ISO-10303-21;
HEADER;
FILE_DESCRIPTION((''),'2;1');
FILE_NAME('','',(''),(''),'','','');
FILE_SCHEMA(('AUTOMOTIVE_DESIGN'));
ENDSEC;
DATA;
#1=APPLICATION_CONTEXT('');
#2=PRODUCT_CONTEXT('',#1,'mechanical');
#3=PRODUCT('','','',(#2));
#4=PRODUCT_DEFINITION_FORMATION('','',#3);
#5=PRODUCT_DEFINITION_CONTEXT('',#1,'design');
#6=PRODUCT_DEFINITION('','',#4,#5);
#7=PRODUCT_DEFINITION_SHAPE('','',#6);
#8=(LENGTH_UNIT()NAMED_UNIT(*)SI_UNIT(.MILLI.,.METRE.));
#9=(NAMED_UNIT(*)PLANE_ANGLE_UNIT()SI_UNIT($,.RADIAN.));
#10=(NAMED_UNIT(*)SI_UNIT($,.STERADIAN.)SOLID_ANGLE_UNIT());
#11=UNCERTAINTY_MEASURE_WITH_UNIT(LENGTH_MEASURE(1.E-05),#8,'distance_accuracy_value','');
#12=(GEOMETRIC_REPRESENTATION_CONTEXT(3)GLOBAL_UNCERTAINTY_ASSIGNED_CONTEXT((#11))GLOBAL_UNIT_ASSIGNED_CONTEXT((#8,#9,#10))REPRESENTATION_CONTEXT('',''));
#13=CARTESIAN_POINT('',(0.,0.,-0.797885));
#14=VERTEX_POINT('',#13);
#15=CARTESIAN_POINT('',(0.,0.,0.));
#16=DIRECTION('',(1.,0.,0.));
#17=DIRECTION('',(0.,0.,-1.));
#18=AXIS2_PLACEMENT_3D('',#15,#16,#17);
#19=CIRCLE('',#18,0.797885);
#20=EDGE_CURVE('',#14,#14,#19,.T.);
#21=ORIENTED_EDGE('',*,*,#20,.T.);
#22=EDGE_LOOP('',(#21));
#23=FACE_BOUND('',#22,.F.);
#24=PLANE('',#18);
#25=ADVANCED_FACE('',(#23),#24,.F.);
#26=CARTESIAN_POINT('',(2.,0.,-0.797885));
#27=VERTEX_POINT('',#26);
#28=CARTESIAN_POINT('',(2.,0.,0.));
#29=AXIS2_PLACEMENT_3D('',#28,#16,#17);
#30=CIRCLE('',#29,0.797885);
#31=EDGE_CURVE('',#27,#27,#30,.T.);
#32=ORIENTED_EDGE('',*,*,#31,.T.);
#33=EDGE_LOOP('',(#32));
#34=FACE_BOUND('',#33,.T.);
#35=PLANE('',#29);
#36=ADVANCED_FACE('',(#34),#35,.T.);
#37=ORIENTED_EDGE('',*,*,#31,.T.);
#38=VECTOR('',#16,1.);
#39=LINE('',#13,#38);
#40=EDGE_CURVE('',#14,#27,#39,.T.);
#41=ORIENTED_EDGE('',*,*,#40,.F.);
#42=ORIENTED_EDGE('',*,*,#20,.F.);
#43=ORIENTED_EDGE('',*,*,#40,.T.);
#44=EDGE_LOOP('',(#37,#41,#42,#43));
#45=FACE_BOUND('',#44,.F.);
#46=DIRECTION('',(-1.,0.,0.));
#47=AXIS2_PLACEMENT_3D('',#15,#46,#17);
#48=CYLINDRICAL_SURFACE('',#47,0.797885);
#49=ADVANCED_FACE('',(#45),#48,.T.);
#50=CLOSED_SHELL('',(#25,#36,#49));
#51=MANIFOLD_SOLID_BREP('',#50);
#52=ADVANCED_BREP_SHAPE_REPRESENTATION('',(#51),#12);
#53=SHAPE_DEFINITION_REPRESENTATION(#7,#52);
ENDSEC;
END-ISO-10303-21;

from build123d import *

# Parameters (mm, degrees)
SKETCH1_R           = 0.79788456
BOSS_EXTRUDE1_DEPTH = 2


with BuildPart() as part:
    # Sketch1 → Boss-Extrude1 (new body)
    with BuildSketch(Plane(origin=(0, 0, 0), x_dir=(0, 0, -1), z_dir=(1, 0, 0))):
        Circle(SKETCH1_R)
    extrude(amount=BOSS_EXTRUDE1_DEPTH)


solid = part.part
